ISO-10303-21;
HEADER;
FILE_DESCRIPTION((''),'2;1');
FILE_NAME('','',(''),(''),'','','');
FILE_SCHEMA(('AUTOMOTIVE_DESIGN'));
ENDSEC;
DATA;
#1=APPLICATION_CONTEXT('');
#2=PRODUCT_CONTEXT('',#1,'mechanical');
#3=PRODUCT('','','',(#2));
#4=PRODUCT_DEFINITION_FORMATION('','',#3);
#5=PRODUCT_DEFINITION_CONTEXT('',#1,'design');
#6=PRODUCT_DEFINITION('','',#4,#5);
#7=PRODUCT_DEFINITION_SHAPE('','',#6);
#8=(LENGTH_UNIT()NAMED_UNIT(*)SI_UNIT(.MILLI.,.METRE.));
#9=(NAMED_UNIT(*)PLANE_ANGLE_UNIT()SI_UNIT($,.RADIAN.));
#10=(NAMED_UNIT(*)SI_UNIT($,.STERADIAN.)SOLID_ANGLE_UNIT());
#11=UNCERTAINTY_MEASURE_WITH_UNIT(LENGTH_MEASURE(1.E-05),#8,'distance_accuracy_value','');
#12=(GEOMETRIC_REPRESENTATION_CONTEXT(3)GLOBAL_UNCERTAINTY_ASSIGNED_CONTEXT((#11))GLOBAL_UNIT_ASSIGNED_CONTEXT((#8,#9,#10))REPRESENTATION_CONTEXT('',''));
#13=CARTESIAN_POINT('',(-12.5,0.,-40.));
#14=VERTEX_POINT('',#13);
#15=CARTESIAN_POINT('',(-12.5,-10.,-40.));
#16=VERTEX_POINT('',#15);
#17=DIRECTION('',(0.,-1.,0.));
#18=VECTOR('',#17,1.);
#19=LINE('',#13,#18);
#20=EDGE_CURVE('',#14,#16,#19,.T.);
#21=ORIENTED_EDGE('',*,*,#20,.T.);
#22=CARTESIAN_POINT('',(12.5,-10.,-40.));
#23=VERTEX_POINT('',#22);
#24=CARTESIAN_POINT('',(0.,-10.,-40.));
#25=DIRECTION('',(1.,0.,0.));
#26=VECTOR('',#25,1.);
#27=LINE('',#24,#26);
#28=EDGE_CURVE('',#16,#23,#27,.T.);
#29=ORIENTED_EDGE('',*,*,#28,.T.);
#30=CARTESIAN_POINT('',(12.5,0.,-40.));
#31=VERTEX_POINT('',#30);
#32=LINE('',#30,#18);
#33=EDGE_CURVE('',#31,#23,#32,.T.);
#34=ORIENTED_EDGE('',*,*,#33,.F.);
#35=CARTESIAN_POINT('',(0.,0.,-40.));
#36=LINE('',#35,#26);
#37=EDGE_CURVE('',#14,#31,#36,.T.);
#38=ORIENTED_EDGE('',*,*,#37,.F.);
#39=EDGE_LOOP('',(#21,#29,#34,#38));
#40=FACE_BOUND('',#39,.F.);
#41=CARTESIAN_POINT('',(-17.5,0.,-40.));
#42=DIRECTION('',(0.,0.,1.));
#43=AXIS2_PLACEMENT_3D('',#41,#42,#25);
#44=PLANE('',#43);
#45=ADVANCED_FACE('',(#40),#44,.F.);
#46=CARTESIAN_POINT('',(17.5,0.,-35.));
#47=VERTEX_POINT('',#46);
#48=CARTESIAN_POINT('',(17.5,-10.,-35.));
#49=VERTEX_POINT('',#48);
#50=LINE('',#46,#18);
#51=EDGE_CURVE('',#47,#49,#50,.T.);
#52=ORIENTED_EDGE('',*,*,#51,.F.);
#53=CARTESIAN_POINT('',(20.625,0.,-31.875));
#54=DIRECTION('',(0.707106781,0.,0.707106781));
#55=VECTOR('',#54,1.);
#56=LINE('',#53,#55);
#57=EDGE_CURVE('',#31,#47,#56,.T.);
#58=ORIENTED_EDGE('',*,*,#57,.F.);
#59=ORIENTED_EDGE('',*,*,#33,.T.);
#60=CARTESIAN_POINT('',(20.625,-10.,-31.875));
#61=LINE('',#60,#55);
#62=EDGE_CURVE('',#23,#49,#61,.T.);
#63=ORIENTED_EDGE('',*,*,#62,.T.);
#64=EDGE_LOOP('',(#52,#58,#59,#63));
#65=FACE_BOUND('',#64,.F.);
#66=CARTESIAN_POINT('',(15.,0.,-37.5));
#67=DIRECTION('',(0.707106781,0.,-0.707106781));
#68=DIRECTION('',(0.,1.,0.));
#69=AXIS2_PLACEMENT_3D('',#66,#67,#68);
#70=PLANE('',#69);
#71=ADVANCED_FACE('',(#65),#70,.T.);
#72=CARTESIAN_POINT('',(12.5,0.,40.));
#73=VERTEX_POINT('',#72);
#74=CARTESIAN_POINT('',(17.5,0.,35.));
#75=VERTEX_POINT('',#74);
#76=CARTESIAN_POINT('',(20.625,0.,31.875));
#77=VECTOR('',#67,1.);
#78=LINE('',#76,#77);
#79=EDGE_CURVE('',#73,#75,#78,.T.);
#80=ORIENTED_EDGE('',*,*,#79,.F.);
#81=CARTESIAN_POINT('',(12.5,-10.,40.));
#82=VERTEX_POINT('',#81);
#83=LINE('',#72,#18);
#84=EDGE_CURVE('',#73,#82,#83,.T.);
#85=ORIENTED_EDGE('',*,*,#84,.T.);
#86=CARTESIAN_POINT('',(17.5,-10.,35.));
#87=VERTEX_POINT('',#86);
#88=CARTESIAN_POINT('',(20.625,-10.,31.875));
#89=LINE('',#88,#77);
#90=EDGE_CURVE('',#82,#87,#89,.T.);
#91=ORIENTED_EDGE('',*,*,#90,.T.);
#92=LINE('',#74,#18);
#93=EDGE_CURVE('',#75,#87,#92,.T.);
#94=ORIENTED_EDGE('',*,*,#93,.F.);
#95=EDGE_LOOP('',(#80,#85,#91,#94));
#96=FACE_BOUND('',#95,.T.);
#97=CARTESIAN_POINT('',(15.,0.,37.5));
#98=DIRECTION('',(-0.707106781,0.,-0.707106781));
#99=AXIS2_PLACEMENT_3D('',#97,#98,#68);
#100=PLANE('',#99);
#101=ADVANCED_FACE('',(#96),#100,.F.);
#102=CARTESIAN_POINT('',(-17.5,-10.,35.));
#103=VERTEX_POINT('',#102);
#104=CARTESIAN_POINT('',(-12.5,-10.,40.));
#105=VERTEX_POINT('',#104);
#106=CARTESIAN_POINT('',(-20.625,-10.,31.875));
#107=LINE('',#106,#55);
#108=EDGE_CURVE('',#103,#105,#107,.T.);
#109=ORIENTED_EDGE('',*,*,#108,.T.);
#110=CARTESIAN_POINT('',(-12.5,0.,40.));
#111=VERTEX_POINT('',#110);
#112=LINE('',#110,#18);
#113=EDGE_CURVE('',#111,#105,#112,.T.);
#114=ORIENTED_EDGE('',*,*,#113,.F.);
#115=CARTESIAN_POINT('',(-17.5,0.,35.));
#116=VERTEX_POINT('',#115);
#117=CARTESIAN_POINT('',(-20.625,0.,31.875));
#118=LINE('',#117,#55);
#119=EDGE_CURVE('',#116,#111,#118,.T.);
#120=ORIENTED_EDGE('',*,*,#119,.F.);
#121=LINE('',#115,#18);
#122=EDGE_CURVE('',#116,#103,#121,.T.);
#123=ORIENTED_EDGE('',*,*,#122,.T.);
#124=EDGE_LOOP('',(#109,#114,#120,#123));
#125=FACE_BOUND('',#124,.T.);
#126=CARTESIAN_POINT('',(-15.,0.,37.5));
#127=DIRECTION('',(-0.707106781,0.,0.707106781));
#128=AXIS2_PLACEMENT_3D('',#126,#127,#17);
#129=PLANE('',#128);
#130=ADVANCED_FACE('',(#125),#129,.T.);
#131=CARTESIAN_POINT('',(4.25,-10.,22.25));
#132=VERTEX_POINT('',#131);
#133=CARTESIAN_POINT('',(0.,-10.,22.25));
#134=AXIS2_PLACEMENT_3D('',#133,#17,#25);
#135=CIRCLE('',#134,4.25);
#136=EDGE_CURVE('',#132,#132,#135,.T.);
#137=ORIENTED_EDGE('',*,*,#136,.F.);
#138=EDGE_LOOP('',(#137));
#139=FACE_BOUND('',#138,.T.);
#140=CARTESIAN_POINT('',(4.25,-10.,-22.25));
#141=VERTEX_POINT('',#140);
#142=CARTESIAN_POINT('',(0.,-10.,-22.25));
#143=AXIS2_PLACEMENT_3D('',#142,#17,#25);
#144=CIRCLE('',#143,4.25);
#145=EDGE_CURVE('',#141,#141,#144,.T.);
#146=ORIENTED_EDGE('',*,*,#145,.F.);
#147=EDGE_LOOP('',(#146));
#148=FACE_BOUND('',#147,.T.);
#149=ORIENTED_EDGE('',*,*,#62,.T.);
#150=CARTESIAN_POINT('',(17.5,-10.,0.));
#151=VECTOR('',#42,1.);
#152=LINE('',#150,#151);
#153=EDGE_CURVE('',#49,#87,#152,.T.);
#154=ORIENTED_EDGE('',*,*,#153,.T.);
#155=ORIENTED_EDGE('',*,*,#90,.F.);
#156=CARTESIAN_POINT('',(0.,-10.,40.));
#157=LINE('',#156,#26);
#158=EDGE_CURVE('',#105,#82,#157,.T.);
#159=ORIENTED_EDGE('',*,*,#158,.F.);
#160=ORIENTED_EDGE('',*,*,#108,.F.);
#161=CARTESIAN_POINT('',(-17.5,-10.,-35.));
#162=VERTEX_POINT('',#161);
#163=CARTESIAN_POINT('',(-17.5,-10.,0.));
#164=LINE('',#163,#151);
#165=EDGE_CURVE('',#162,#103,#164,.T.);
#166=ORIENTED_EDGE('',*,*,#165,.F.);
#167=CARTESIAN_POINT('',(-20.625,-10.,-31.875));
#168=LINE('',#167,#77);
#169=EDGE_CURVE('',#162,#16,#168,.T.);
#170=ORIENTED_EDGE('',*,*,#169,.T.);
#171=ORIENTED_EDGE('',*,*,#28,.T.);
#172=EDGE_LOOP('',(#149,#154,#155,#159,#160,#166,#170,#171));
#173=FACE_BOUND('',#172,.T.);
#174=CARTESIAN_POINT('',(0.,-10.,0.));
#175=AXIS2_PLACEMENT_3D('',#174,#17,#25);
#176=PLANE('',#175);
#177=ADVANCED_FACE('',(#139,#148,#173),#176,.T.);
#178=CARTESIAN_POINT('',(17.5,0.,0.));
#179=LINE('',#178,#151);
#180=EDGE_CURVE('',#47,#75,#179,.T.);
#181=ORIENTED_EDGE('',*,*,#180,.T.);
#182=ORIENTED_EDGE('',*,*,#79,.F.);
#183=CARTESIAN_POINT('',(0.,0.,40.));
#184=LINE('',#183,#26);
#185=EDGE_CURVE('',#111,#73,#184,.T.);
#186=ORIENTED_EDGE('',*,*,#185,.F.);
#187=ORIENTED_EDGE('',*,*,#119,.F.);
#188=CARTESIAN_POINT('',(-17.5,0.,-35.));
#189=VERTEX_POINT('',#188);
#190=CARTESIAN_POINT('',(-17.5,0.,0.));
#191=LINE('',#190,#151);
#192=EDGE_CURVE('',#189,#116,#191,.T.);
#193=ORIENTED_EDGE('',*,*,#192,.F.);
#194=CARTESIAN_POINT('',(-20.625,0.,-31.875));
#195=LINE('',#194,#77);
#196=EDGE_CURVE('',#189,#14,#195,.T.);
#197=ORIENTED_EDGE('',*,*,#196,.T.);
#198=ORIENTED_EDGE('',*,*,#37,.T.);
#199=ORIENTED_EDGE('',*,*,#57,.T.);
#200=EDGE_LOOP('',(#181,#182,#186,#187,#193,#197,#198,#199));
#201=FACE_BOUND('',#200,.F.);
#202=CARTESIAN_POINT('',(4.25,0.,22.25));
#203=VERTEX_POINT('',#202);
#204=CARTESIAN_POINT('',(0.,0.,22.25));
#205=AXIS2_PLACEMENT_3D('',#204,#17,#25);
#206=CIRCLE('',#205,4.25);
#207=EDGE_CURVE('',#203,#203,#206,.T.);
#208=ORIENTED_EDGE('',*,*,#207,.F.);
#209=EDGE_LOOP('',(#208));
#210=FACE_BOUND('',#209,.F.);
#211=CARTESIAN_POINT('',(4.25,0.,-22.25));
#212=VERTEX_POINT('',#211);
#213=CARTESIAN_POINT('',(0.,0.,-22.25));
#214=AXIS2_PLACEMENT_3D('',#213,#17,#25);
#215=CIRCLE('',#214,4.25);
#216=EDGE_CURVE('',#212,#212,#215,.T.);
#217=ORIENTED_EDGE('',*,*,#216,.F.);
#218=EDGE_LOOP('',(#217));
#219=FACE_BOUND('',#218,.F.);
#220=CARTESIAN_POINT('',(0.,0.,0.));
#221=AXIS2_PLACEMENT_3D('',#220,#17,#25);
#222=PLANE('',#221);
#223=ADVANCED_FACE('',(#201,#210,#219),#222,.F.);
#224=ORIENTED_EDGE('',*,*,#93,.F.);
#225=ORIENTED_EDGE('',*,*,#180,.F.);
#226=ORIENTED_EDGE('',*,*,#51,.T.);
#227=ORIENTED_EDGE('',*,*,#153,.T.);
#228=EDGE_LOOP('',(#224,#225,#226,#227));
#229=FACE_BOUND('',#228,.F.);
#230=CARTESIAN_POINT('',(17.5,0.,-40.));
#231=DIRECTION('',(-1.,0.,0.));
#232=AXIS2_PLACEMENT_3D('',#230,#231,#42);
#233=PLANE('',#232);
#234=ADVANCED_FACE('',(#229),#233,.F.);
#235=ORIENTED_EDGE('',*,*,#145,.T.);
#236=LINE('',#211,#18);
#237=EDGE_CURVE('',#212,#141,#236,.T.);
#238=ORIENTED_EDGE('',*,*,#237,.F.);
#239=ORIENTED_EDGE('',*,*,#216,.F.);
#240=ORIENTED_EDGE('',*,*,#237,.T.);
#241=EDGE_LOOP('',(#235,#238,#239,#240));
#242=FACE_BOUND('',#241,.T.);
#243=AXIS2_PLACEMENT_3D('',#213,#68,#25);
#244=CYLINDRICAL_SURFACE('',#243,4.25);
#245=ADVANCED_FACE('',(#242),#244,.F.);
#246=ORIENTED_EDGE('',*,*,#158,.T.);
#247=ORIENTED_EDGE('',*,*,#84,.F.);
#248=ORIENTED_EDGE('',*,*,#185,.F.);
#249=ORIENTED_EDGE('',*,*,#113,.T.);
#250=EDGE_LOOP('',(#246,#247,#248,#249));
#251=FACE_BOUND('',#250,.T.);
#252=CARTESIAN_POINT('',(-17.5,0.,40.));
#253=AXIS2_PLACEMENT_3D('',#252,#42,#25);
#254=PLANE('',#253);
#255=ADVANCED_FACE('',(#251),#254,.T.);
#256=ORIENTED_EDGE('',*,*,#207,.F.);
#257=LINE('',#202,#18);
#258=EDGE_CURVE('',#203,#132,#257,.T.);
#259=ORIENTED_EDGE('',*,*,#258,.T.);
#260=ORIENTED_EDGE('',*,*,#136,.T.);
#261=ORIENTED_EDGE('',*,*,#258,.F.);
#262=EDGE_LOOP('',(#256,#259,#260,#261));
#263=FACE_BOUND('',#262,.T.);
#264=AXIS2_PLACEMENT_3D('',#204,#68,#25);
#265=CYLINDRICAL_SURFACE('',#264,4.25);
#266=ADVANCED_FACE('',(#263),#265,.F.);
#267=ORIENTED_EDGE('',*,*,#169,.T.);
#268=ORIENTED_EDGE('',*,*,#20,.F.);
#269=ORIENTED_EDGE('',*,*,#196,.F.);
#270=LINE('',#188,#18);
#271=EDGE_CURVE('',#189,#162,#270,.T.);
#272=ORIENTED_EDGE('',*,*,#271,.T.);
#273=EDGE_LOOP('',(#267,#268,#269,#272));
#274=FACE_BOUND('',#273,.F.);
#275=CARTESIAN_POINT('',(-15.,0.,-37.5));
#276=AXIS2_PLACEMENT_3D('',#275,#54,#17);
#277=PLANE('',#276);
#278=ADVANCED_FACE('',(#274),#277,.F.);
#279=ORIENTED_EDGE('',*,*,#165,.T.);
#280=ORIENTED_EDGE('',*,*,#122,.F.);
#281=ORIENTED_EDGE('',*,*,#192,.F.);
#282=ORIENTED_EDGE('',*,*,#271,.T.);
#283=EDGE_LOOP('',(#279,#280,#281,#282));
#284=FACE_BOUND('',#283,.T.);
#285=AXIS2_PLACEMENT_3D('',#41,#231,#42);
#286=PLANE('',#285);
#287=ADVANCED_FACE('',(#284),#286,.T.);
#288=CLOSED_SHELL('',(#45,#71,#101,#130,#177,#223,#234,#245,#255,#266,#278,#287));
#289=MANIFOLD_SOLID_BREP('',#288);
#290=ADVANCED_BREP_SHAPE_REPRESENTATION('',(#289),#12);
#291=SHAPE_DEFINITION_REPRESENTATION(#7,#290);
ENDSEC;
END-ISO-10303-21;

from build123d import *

# Parameters (mm, degrees)
F0_W     = 35
F0_H     = 80
F0_R     = 4.25
F1_DEPTH = 10
F2_SIZE  = 5


with BuildPart() as f1:
    # F0 (on Front) → F1 (new body)
    with BuildSketch(Plane.XZ):
        Rectangle(F0_W, F0_H)
        with Locations((0, -22.25)):
            Circle(F0_R, mode=Mode.SUBTRACT)
        with Locations((0, 22.25)):
            Circle(F0_R, mode=Mode.SUBTRACT)
    extrude(amount=F1_DEPTH)

    # F2
    f2_edges = [f1.edges().sort_by_distance(p)[0] for p in [
        (-17.5, -5, 40),
        (17.5, -5, 40),
        (-17.5, -5, -40),
        (17.5, -5, -40),
    ]]
    chamfer(f2_edges, length=F2_SIZE)


solid = f1.part
